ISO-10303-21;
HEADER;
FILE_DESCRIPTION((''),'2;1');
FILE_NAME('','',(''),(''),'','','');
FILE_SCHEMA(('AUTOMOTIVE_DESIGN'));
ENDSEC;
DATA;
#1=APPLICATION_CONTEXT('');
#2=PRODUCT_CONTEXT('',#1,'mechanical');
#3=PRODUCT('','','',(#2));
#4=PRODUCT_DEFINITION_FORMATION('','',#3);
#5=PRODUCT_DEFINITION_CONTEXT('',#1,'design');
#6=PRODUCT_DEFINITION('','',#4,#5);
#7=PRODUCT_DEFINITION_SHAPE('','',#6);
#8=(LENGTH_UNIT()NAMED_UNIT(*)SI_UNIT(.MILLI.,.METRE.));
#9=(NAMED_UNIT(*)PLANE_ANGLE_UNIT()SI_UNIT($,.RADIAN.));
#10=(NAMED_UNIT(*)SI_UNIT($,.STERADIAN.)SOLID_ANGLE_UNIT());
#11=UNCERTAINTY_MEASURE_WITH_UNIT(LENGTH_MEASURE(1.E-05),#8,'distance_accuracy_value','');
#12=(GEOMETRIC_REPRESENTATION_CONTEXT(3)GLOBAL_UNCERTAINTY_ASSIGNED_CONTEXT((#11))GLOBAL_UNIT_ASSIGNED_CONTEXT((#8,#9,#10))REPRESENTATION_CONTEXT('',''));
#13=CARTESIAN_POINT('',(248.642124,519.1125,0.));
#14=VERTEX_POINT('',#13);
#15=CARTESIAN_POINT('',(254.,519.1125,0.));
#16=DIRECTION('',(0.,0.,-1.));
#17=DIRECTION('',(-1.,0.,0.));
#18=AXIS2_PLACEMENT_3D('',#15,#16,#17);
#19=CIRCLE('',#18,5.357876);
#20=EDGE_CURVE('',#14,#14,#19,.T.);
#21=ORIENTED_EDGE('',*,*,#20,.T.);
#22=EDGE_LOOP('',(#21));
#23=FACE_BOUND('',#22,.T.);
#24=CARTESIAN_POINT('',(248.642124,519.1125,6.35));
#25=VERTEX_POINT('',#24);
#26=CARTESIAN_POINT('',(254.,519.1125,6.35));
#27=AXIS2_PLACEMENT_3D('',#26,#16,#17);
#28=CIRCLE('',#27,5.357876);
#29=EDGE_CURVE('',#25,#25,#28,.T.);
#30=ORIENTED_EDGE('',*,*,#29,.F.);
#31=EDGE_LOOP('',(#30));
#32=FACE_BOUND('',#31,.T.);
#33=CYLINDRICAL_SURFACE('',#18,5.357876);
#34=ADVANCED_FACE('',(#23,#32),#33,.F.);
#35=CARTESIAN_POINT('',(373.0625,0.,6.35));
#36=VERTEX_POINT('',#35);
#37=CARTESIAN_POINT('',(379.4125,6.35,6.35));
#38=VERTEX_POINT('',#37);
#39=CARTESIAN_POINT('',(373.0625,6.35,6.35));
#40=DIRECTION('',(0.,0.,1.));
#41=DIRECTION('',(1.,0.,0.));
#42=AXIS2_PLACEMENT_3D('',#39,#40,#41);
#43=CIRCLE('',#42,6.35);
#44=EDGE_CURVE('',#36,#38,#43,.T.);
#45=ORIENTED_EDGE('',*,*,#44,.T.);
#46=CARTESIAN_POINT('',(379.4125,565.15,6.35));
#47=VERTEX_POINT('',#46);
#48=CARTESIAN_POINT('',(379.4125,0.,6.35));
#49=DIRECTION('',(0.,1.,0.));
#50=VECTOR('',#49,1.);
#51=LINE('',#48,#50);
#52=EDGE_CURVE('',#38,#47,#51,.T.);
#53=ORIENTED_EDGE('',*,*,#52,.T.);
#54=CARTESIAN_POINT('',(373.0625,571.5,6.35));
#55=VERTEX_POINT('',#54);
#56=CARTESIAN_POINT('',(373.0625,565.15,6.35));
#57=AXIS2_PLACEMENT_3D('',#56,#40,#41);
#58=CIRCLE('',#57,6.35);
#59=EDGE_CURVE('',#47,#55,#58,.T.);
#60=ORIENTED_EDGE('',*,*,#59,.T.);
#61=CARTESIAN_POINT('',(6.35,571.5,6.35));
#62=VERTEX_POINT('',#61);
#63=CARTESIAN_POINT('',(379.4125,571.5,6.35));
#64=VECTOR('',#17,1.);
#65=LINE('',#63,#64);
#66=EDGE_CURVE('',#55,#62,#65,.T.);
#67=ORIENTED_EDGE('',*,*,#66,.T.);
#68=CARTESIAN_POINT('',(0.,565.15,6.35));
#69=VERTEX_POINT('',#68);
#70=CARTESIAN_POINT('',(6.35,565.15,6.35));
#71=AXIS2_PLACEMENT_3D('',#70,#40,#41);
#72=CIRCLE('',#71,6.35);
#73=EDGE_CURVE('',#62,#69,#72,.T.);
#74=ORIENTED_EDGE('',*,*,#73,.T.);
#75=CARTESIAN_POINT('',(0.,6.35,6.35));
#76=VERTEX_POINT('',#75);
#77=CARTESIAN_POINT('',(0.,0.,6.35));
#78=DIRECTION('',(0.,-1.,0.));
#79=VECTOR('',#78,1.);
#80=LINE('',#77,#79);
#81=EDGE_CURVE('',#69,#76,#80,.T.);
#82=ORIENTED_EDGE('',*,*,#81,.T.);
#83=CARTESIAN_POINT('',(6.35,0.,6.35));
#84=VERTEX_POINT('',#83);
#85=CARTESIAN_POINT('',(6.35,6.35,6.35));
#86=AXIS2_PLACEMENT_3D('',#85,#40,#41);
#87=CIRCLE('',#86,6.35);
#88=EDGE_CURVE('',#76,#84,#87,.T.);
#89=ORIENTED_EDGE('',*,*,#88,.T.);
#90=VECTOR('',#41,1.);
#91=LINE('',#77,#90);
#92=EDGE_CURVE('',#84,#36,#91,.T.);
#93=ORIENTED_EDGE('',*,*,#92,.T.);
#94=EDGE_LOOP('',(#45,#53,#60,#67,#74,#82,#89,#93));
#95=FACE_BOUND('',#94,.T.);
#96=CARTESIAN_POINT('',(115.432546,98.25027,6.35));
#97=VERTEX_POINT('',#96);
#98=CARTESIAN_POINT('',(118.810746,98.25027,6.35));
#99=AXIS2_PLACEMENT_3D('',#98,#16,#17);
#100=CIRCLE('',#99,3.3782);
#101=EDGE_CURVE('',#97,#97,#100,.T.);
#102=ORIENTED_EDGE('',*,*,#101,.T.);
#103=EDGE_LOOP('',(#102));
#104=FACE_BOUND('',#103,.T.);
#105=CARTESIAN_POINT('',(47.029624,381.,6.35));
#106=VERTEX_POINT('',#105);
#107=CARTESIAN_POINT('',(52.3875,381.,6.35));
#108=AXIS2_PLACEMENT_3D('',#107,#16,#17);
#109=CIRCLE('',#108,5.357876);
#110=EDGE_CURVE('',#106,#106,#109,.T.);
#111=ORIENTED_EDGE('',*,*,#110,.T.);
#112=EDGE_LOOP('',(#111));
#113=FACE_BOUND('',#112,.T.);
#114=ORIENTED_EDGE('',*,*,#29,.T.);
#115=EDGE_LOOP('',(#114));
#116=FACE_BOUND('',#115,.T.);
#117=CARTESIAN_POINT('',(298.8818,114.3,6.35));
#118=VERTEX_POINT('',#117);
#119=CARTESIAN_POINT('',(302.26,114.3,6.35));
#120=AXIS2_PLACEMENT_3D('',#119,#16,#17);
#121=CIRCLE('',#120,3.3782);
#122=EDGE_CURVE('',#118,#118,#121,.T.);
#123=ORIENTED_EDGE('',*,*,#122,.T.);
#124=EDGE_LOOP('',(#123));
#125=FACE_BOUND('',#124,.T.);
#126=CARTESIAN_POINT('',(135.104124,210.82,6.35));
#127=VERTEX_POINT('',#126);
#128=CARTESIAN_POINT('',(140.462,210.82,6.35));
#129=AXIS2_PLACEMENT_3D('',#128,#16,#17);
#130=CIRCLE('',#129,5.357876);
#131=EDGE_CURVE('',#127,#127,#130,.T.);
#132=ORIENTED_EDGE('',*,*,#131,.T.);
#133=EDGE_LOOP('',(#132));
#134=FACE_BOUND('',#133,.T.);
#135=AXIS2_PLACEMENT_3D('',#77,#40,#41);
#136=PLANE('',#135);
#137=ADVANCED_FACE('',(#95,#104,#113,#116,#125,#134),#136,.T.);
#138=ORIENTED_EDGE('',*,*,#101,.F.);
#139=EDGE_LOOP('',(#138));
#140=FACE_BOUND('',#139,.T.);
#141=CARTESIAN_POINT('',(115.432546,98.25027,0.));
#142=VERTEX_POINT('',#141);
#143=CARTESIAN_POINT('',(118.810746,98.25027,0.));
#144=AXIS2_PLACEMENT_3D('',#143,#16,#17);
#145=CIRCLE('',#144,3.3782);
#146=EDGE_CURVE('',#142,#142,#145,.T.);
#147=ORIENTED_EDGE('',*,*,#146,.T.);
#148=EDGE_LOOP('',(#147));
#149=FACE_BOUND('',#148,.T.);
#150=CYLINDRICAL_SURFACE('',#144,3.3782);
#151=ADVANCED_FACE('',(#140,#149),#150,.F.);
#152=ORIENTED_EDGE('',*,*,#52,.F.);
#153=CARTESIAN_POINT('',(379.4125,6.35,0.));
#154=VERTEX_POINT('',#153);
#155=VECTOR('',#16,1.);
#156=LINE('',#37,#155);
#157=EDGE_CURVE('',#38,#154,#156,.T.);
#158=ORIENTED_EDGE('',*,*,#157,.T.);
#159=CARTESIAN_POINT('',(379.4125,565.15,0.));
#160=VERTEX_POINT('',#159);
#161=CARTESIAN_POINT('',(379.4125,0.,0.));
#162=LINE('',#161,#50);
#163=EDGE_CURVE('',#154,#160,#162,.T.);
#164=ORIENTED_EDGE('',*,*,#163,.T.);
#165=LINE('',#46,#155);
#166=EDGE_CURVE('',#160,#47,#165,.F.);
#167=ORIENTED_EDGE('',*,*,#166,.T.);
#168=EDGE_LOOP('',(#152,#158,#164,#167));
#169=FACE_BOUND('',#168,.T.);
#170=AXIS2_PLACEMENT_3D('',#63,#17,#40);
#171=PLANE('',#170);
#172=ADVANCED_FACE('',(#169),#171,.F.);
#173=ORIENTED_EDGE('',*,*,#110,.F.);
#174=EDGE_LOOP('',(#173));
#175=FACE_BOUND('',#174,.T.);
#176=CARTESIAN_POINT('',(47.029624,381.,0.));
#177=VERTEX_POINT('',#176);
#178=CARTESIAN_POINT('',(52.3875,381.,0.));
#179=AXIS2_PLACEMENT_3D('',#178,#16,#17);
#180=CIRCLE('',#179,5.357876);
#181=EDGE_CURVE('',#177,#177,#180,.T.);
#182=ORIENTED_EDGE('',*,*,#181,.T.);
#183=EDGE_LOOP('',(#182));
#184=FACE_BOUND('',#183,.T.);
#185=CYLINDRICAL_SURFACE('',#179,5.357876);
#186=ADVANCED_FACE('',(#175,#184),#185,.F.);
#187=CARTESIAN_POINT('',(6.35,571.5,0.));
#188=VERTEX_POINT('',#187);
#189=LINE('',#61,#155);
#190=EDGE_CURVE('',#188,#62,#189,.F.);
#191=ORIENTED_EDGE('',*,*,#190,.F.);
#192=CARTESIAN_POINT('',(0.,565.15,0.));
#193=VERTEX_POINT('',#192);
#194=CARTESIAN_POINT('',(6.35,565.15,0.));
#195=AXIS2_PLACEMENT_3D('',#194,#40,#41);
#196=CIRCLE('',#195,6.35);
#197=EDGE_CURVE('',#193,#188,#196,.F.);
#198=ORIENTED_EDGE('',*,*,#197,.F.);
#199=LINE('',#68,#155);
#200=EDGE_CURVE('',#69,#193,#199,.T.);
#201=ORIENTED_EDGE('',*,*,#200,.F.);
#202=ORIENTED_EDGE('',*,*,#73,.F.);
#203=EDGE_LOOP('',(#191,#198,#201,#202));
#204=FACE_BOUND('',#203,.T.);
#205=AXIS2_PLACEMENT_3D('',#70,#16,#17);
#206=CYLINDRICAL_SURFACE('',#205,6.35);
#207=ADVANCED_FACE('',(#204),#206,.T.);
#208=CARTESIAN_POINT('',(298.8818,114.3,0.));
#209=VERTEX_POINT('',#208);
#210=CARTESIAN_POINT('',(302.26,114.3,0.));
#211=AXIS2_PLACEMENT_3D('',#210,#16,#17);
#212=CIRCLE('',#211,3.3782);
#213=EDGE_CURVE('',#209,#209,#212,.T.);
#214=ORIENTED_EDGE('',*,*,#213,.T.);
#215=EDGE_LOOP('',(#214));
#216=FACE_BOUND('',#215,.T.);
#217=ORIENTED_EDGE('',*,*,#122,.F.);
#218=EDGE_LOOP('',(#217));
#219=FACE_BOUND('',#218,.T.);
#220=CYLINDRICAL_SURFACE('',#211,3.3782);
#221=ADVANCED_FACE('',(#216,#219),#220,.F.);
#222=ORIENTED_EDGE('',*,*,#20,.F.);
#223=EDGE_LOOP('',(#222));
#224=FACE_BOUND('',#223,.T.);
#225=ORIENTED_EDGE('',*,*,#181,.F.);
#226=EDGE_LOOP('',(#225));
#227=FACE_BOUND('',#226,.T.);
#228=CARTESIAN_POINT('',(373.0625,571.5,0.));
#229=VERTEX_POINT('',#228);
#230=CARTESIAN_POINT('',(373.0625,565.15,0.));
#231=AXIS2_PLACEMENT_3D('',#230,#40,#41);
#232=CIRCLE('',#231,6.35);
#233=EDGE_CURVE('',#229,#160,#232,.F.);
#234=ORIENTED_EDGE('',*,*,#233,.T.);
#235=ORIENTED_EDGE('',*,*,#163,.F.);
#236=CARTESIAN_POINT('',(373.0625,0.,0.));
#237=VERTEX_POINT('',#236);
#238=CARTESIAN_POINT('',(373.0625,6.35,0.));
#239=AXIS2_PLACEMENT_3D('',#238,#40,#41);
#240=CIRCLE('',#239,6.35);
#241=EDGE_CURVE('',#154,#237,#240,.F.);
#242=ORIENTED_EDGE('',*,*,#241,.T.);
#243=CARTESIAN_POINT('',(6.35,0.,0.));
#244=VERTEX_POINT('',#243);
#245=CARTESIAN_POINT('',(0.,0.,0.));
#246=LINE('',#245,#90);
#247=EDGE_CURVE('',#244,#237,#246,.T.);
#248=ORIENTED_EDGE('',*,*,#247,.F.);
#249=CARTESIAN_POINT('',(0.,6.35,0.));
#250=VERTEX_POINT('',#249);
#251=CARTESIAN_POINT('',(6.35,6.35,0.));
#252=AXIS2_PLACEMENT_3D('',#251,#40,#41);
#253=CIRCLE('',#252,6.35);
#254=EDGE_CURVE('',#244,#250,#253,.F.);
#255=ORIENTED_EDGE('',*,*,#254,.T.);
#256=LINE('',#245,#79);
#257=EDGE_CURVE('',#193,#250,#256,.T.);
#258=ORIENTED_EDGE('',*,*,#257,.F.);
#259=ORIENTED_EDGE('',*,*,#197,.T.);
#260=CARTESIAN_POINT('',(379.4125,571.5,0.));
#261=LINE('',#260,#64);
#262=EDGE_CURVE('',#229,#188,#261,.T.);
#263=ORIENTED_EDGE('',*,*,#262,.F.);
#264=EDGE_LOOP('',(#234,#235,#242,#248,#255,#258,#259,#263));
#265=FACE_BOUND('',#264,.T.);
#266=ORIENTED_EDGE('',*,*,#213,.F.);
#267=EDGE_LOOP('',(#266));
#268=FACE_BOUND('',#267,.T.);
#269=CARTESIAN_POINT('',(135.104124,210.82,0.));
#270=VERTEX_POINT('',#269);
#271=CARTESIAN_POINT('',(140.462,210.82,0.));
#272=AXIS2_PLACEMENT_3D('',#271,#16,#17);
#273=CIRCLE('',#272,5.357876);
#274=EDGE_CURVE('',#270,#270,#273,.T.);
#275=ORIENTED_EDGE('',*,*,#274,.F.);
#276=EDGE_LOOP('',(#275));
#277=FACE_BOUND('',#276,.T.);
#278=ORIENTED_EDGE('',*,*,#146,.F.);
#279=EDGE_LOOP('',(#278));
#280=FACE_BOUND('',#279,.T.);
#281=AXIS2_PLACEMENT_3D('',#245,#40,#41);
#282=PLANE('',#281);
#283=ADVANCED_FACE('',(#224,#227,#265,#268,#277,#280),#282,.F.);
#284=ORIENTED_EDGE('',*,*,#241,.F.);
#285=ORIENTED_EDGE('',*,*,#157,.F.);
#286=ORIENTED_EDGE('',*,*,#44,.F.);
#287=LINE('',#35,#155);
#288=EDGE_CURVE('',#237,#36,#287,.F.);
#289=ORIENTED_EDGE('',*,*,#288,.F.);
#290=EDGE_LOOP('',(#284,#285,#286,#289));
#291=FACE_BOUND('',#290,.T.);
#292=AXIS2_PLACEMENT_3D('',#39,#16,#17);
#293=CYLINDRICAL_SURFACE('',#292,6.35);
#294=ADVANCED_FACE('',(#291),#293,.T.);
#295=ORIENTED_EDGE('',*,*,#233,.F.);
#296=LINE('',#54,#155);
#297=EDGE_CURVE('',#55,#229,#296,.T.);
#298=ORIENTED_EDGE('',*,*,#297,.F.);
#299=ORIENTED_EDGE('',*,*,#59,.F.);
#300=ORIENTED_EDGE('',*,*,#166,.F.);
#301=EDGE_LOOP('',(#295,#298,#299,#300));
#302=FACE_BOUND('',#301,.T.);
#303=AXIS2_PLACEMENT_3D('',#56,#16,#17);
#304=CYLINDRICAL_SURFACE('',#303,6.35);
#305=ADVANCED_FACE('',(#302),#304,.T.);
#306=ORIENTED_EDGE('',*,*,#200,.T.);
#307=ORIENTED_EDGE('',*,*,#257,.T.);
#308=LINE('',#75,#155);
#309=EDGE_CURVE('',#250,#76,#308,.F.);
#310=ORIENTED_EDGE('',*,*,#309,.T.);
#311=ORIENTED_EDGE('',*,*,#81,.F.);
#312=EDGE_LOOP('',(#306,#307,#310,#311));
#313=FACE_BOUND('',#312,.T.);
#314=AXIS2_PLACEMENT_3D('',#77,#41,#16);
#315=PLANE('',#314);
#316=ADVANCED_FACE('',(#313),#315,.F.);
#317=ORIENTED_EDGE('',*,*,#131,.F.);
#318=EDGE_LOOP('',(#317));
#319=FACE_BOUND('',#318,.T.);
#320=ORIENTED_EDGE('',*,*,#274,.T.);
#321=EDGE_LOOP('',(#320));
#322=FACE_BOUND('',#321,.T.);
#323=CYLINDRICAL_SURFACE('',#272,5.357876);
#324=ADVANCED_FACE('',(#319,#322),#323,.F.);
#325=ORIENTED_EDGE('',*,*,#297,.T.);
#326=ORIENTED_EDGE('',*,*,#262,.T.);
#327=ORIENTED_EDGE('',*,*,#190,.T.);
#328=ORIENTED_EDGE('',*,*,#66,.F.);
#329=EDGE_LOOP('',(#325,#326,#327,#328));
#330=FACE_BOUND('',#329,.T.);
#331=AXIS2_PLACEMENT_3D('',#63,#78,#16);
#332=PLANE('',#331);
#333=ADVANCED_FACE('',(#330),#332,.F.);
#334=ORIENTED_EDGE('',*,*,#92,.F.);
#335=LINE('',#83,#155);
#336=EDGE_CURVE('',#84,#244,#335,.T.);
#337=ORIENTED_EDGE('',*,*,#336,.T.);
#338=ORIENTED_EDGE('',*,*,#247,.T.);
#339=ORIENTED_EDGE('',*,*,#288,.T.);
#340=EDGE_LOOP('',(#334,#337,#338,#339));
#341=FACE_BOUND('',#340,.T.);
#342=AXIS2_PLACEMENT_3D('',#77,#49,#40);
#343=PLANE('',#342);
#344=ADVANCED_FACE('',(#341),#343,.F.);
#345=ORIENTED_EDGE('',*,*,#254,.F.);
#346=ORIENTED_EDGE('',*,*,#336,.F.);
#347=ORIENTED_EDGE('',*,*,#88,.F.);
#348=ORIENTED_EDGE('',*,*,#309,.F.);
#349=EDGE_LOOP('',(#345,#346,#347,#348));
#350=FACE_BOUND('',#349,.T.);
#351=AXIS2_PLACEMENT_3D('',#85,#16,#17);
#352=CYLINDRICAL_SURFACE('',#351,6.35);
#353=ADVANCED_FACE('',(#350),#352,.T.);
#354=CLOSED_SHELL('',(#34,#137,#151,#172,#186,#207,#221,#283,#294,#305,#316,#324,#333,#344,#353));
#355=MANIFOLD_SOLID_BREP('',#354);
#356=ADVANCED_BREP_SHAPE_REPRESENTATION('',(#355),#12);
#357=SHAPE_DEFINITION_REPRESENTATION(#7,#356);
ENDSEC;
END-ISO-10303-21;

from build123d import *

# Parameters (mm, degrees)
BOSS_EXTRUDE1_DEPTH              = 6.35
FILLET1_R                        = 3.175
FILLET2_R                        = 44.45
F_1_4_CLEARANCE_HOLE1_D          = 6.7564
SKETCH4_W                        = 100.0125
SKETCH4_H                        = 155.575
CUT_EXTRUDE1_DEPTH               = 7.35
F_27_64_0_42188_DIAMETER_HOLE1_D = 10.715752
FILLET3_R                        = 6.35


with BuildPart() as part:
    # Sketch1 → Boss-Extrude1 (new body)
    with BuildSketch(Plane.XY):
        Polygon((0, 0), (0, 571.5), (379.4125, 571.5), (379.4125, 466.725), (479.425, 466.725), (479.425, 355.6), (428.625, 355.6), (428.625, 403.225), (379.4125, 403.225), (379.4125, 0), align=None)
    extrude(amount=BOSS_EXTRUDE1_DEPTH)

    # Fillet1
    fillet1_edges = [part.edges().sort_by_distance(p)[0] for p in [
        (428.625, 403.225, 3.175),
        (379.4125, 403.225, 3.175),
    ]]
    fillet(fillet1_edges, radius=FILLET1_R)

    # Fillet2
    fillet2_edges = [part.edges().sort_by_distance(p)[0] for p in [
        (379.4125, 466.725, 3.175),
        (479.425, 466.725, 3.175),
    ]]
    fillet(fillet2_edges, radius=FILLET2_R)

    # 1/4 Clearance Hole1 (through all)
    with Locations(Plane(origin=(0, 0, 0), x_dir=(-1, 0, 0), z_dir=(0, 0, -1))):
        with Locations((-118.810746346, 98.250269973), (-302.26, 114.3)):
            Hole(F_1_4_CLEARANCE_HOLE1_D / 2)

    # Sketch4 → Cut-Extrude1 (cut, through all)
    with BuildSketch(Plane(origin=(0, 0, 0), x_dir=(-1, 0, 0), z_dir=(0, 0, -1))):
        with Locations((-429.41875, 433.3875)):
            Rectangle(SKETCH4_W, SKETCH4_H)
    extrude(amount=-CUT_EXTRUDE1_DEPTH, mode=Mode.SUBTRACT)

    # 27/64 (0.42188) Diameter Hole1 (through all)
    with Locations(Plane(origin=(0, 0, 0), x_dir=(-1, 0, 0), z_dir=(0, 0, -1))):
        with Locations((-254, 519.1125), (-52.3875, 381), (-140.462, 210.82)):
            Hole(F_27_64_0_42188_DIAMETER_HOLE1_D / 2)

    # Fillet3
    fillet3_edges = [part.edges().sort_by_distance(p)[0] for p in [
        (0, 0, 3.175),
        (0, 571.5, 3.175),
        (379.4125, 571.5, 3.175),
        (379.4125, 0, 3.175),
    ]]
    fillet(fillet3_edges, radius=FILLET3_R)


solid = part.part
